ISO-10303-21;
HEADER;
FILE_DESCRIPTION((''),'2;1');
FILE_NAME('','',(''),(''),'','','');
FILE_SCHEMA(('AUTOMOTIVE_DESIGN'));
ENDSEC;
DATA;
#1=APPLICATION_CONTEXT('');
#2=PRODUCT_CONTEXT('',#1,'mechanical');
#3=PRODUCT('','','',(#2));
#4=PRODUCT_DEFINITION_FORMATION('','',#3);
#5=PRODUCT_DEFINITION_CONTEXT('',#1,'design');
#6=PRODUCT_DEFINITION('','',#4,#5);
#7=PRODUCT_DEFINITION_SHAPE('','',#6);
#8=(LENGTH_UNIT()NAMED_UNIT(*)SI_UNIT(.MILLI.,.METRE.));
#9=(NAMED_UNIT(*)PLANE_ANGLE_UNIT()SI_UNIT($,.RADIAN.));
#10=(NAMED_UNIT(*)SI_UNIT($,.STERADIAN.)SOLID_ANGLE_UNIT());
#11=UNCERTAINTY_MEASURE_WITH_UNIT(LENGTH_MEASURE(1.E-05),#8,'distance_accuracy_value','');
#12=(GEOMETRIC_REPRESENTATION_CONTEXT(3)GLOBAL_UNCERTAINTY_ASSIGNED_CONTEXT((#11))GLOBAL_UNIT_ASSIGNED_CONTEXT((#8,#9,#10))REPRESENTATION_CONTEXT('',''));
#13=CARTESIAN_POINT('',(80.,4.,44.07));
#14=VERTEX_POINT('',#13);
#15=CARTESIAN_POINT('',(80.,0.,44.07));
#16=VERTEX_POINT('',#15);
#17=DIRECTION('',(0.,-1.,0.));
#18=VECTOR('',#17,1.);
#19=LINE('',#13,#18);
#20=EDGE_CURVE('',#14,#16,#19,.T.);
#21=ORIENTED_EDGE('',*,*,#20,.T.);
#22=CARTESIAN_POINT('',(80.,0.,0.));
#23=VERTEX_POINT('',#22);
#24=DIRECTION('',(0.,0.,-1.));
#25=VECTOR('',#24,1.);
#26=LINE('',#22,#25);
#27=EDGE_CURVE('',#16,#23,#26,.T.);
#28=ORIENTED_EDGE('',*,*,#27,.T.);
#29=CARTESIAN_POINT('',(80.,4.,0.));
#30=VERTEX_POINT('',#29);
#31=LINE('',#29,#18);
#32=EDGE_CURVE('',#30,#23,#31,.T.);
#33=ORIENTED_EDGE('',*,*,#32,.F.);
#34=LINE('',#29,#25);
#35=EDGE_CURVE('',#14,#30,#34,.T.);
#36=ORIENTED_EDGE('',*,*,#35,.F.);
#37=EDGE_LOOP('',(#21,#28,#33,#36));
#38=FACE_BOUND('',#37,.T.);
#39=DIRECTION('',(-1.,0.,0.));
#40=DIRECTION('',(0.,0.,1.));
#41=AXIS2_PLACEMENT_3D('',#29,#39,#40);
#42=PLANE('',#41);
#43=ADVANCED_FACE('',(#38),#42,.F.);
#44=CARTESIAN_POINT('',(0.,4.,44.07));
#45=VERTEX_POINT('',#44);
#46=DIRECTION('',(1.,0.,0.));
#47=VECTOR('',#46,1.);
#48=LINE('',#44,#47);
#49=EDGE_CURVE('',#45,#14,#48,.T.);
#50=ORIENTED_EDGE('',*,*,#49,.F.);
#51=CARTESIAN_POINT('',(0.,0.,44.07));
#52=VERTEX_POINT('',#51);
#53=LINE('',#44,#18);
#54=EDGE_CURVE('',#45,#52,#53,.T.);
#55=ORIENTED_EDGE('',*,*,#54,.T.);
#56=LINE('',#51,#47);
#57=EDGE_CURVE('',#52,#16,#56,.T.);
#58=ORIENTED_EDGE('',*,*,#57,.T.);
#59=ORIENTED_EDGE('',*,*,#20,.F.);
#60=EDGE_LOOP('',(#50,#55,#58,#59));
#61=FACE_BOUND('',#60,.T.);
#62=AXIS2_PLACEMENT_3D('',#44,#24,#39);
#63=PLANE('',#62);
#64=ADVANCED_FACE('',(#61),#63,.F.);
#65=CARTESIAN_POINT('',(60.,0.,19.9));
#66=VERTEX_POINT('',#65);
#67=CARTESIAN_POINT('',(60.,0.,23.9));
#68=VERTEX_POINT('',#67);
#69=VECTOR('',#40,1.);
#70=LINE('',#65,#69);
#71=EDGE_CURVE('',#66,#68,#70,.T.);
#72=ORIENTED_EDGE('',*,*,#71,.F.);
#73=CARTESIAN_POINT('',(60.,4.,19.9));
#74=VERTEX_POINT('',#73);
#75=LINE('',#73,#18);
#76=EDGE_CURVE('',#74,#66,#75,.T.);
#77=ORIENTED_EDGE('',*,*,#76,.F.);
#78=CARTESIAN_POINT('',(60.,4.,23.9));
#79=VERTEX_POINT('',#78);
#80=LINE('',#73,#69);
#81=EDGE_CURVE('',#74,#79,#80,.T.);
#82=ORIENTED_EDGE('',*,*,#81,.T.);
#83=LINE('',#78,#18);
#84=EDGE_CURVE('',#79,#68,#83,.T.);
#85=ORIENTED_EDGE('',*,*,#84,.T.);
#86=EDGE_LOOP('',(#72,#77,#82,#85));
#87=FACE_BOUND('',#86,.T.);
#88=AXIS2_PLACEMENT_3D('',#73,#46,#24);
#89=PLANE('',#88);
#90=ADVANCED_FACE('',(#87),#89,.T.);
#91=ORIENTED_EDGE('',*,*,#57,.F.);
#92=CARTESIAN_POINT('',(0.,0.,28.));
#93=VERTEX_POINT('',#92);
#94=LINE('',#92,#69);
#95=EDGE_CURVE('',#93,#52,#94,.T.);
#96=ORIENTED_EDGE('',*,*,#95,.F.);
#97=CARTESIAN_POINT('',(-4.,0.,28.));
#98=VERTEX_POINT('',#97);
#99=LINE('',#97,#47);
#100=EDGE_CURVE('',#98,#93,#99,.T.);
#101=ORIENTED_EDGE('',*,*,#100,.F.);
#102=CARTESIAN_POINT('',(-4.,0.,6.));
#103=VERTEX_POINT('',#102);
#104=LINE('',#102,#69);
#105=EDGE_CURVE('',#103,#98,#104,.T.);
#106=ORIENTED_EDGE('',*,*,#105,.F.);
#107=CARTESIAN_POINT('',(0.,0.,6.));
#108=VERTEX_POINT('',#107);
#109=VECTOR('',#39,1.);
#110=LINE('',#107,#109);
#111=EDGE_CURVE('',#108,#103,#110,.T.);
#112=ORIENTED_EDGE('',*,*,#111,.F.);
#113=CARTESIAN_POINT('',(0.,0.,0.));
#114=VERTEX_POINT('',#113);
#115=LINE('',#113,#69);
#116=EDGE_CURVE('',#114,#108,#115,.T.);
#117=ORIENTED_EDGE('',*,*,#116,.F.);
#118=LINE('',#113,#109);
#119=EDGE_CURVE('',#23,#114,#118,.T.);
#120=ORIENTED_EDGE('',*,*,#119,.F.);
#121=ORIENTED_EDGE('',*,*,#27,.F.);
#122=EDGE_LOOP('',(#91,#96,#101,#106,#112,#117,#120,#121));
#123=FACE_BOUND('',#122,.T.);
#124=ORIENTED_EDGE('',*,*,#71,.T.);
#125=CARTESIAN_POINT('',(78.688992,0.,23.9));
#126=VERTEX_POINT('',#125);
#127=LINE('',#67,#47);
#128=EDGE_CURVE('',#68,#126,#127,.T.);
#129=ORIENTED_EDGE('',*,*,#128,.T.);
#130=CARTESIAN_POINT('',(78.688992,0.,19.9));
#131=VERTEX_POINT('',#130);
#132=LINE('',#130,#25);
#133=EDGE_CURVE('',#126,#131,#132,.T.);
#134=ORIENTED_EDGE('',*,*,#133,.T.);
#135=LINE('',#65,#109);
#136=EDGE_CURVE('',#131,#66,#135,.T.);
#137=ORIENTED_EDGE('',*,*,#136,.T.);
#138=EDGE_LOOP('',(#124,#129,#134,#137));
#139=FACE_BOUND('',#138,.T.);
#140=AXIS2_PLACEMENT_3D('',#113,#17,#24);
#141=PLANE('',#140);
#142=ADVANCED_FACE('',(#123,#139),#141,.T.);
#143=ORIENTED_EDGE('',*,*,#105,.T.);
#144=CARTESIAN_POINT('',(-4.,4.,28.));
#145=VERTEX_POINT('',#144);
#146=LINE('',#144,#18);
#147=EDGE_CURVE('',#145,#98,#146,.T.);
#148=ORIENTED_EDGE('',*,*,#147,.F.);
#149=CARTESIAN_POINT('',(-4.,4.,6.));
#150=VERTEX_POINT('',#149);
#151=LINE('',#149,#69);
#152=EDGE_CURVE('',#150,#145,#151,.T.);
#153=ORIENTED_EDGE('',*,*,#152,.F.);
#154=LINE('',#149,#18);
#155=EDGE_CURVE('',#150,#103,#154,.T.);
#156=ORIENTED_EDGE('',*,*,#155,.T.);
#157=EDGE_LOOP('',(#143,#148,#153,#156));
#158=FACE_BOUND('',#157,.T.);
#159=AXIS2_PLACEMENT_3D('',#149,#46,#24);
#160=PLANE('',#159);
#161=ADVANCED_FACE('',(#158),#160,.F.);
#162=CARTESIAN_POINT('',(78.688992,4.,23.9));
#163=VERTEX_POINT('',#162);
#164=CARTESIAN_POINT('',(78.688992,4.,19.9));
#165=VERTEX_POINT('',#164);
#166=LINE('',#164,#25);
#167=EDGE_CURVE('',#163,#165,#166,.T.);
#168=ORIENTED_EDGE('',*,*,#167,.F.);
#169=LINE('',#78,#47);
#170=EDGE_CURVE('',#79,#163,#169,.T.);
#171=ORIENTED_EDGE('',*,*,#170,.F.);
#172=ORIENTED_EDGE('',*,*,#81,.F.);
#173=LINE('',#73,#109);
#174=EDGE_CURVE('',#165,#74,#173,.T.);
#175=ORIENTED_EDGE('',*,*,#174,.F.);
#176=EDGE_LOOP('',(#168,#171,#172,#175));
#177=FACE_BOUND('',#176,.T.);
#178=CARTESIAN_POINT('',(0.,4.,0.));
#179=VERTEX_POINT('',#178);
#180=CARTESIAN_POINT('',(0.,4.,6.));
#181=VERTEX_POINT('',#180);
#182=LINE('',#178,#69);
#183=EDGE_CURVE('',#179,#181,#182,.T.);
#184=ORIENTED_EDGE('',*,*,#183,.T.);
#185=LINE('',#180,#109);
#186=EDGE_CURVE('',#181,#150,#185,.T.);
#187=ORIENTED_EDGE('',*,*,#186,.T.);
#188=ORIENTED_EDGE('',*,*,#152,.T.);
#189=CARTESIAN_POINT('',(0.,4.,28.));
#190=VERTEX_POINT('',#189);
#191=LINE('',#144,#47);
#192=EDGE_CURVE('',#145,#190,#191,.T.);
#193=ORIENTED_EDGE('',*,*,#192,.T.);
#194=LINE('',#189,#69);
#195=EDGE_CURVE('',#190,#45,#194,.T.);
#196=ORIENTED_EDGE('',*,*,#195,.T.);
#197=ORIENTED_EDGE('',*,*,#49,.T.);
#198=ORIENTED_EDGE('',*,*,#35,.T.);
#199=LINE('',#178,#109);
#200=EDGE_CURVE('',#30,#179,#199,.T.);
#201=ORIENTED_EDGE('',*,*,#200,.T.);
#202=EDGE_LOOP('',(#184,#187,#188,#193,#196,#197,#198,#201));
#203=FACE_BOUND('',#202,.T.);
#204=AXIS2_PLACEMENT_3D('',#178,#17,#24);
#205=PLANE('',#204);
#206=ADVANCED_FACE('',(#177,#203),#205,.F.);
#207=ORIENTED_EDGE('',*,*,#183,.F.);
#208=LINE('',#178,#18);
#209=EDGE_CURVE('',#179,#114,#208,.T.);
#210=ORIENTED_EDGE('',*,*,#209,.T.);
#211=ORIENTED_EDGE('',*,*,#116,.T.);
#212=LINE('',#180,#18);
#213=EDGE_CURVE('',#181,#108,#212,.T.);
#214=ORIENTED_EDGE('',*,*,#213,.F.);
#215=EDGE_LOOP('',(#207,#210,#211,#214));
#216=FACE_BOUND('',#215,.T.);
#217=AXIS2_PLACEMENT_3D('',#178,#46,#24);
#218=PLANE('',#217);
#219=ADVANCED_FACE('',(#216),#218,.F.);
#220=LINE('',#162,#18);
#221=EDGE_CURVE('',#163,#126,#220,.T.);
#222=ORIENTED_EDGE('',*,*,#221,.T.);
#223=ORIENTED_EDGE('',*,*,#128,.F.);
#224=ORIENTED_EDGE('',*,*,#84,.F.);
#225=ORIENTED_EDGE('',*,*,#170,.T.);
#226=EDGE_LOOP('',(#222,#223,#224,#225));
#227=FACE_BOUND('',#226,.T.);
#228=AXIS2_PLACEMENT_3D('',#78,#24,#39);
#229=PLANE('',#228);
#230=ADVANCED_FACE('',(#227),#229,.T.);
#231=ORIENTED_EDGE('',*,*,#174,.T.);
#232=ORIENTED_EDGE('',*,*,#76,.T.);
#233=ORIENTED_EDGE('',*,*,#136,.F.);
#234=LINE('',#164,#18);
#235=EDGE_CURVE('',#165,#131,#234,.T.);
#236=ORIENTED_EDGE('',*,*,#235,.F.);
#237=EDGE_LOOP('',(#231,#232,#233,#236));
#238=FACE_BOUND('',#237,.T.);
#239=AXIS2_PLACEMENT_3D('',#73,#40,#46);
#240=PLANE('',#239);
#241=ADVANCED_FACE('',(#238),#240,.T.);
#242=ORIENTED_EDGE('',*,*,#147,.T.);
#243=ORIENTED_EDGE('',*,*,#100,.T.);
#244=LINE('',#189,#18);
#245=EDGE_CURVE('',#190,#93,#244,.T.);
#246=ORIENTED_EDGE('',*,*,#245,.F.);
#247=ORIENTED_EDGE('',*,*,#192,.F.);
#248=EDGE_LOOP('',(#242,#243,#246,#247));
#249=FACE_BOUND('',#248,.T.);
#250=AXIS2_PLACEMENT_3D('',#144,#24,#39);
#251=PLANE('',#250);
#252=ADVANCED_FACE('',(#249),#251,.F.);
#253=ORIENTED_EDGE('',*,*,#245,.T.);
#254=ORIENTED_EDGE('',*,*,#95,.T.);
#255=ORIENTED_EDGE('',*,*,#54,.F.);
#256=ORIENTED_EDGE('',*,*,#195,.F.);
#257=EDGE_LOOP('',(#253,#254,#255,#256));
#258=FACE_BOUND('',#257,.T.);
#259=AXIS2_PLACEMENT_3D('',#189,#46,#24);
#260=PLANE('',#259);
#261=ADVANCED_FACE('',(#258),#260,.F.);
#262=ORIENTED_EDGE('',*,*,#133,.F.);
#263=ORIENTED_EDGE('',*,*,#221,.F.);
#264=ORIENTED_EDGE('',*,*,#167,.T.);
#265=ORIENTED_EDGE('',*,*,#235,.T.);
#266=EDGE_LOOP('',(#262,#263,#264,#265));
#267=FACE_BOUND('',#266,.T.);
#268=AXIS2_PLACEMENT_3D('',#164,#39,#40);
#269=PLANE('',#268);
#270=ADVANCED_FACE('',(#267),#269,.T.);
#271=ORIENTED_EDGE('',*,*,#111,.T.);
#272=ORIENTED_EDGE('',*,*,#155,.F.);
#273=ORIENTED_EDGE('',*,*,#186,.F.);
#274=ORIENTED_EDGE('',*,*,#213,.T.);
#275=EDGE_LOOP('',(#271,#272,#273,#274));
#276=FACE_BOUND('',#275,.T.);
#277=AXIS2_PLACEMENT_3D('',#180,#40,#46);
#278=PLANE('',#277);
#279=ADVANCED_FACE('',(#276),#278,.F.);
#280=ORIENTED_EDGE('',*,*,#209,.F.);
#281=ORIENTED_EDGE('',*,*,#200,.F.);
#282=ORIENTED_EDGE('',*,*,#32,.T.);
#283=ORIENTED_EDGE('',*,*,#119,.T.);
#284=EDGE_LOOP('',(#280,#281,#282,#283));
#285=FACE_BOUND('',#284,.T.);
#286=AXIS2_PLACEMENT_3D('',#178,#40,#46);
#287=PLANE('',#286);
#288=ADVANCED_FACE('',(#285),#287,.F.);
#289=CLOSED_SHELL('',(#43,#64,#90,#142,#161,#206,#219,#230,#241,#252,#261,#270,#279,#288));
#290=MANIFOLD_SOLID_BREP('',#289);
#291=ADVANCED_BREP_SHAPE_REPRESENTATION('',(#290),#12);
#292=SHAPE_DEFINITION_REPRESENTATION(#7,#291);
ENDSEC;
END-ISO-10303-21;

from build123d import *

# Parameters (mm, degrees)
SKETCH2_W           = 18.688991821
SKETCH2_H           = 4
BOSS_EXTRUDE1_DEPTH = 4


with BuildPart() as part:
    # Sketch2 → Boss-Extrude1 (new body)
    with BuildSketch(Plane(origin=(0, 0, 0), x_dir=(1, 0, 0), z_dir=(0, 1, 0))):
        Polygon((0, -6), (-4, -6), (-4, -28), (0, -28), (0, -44.07), (80, -44.07), (80, 0), (0, 0), align=None)
        with Locations((69.344495911, -21.9)):
            Rectangle(SKETCH2_W, SKETCH2_H, mode=Mode.SUBTRACT)
    extrude(amount=BOSS_EXTRUDE1_DEPTH)


solid = part.part
